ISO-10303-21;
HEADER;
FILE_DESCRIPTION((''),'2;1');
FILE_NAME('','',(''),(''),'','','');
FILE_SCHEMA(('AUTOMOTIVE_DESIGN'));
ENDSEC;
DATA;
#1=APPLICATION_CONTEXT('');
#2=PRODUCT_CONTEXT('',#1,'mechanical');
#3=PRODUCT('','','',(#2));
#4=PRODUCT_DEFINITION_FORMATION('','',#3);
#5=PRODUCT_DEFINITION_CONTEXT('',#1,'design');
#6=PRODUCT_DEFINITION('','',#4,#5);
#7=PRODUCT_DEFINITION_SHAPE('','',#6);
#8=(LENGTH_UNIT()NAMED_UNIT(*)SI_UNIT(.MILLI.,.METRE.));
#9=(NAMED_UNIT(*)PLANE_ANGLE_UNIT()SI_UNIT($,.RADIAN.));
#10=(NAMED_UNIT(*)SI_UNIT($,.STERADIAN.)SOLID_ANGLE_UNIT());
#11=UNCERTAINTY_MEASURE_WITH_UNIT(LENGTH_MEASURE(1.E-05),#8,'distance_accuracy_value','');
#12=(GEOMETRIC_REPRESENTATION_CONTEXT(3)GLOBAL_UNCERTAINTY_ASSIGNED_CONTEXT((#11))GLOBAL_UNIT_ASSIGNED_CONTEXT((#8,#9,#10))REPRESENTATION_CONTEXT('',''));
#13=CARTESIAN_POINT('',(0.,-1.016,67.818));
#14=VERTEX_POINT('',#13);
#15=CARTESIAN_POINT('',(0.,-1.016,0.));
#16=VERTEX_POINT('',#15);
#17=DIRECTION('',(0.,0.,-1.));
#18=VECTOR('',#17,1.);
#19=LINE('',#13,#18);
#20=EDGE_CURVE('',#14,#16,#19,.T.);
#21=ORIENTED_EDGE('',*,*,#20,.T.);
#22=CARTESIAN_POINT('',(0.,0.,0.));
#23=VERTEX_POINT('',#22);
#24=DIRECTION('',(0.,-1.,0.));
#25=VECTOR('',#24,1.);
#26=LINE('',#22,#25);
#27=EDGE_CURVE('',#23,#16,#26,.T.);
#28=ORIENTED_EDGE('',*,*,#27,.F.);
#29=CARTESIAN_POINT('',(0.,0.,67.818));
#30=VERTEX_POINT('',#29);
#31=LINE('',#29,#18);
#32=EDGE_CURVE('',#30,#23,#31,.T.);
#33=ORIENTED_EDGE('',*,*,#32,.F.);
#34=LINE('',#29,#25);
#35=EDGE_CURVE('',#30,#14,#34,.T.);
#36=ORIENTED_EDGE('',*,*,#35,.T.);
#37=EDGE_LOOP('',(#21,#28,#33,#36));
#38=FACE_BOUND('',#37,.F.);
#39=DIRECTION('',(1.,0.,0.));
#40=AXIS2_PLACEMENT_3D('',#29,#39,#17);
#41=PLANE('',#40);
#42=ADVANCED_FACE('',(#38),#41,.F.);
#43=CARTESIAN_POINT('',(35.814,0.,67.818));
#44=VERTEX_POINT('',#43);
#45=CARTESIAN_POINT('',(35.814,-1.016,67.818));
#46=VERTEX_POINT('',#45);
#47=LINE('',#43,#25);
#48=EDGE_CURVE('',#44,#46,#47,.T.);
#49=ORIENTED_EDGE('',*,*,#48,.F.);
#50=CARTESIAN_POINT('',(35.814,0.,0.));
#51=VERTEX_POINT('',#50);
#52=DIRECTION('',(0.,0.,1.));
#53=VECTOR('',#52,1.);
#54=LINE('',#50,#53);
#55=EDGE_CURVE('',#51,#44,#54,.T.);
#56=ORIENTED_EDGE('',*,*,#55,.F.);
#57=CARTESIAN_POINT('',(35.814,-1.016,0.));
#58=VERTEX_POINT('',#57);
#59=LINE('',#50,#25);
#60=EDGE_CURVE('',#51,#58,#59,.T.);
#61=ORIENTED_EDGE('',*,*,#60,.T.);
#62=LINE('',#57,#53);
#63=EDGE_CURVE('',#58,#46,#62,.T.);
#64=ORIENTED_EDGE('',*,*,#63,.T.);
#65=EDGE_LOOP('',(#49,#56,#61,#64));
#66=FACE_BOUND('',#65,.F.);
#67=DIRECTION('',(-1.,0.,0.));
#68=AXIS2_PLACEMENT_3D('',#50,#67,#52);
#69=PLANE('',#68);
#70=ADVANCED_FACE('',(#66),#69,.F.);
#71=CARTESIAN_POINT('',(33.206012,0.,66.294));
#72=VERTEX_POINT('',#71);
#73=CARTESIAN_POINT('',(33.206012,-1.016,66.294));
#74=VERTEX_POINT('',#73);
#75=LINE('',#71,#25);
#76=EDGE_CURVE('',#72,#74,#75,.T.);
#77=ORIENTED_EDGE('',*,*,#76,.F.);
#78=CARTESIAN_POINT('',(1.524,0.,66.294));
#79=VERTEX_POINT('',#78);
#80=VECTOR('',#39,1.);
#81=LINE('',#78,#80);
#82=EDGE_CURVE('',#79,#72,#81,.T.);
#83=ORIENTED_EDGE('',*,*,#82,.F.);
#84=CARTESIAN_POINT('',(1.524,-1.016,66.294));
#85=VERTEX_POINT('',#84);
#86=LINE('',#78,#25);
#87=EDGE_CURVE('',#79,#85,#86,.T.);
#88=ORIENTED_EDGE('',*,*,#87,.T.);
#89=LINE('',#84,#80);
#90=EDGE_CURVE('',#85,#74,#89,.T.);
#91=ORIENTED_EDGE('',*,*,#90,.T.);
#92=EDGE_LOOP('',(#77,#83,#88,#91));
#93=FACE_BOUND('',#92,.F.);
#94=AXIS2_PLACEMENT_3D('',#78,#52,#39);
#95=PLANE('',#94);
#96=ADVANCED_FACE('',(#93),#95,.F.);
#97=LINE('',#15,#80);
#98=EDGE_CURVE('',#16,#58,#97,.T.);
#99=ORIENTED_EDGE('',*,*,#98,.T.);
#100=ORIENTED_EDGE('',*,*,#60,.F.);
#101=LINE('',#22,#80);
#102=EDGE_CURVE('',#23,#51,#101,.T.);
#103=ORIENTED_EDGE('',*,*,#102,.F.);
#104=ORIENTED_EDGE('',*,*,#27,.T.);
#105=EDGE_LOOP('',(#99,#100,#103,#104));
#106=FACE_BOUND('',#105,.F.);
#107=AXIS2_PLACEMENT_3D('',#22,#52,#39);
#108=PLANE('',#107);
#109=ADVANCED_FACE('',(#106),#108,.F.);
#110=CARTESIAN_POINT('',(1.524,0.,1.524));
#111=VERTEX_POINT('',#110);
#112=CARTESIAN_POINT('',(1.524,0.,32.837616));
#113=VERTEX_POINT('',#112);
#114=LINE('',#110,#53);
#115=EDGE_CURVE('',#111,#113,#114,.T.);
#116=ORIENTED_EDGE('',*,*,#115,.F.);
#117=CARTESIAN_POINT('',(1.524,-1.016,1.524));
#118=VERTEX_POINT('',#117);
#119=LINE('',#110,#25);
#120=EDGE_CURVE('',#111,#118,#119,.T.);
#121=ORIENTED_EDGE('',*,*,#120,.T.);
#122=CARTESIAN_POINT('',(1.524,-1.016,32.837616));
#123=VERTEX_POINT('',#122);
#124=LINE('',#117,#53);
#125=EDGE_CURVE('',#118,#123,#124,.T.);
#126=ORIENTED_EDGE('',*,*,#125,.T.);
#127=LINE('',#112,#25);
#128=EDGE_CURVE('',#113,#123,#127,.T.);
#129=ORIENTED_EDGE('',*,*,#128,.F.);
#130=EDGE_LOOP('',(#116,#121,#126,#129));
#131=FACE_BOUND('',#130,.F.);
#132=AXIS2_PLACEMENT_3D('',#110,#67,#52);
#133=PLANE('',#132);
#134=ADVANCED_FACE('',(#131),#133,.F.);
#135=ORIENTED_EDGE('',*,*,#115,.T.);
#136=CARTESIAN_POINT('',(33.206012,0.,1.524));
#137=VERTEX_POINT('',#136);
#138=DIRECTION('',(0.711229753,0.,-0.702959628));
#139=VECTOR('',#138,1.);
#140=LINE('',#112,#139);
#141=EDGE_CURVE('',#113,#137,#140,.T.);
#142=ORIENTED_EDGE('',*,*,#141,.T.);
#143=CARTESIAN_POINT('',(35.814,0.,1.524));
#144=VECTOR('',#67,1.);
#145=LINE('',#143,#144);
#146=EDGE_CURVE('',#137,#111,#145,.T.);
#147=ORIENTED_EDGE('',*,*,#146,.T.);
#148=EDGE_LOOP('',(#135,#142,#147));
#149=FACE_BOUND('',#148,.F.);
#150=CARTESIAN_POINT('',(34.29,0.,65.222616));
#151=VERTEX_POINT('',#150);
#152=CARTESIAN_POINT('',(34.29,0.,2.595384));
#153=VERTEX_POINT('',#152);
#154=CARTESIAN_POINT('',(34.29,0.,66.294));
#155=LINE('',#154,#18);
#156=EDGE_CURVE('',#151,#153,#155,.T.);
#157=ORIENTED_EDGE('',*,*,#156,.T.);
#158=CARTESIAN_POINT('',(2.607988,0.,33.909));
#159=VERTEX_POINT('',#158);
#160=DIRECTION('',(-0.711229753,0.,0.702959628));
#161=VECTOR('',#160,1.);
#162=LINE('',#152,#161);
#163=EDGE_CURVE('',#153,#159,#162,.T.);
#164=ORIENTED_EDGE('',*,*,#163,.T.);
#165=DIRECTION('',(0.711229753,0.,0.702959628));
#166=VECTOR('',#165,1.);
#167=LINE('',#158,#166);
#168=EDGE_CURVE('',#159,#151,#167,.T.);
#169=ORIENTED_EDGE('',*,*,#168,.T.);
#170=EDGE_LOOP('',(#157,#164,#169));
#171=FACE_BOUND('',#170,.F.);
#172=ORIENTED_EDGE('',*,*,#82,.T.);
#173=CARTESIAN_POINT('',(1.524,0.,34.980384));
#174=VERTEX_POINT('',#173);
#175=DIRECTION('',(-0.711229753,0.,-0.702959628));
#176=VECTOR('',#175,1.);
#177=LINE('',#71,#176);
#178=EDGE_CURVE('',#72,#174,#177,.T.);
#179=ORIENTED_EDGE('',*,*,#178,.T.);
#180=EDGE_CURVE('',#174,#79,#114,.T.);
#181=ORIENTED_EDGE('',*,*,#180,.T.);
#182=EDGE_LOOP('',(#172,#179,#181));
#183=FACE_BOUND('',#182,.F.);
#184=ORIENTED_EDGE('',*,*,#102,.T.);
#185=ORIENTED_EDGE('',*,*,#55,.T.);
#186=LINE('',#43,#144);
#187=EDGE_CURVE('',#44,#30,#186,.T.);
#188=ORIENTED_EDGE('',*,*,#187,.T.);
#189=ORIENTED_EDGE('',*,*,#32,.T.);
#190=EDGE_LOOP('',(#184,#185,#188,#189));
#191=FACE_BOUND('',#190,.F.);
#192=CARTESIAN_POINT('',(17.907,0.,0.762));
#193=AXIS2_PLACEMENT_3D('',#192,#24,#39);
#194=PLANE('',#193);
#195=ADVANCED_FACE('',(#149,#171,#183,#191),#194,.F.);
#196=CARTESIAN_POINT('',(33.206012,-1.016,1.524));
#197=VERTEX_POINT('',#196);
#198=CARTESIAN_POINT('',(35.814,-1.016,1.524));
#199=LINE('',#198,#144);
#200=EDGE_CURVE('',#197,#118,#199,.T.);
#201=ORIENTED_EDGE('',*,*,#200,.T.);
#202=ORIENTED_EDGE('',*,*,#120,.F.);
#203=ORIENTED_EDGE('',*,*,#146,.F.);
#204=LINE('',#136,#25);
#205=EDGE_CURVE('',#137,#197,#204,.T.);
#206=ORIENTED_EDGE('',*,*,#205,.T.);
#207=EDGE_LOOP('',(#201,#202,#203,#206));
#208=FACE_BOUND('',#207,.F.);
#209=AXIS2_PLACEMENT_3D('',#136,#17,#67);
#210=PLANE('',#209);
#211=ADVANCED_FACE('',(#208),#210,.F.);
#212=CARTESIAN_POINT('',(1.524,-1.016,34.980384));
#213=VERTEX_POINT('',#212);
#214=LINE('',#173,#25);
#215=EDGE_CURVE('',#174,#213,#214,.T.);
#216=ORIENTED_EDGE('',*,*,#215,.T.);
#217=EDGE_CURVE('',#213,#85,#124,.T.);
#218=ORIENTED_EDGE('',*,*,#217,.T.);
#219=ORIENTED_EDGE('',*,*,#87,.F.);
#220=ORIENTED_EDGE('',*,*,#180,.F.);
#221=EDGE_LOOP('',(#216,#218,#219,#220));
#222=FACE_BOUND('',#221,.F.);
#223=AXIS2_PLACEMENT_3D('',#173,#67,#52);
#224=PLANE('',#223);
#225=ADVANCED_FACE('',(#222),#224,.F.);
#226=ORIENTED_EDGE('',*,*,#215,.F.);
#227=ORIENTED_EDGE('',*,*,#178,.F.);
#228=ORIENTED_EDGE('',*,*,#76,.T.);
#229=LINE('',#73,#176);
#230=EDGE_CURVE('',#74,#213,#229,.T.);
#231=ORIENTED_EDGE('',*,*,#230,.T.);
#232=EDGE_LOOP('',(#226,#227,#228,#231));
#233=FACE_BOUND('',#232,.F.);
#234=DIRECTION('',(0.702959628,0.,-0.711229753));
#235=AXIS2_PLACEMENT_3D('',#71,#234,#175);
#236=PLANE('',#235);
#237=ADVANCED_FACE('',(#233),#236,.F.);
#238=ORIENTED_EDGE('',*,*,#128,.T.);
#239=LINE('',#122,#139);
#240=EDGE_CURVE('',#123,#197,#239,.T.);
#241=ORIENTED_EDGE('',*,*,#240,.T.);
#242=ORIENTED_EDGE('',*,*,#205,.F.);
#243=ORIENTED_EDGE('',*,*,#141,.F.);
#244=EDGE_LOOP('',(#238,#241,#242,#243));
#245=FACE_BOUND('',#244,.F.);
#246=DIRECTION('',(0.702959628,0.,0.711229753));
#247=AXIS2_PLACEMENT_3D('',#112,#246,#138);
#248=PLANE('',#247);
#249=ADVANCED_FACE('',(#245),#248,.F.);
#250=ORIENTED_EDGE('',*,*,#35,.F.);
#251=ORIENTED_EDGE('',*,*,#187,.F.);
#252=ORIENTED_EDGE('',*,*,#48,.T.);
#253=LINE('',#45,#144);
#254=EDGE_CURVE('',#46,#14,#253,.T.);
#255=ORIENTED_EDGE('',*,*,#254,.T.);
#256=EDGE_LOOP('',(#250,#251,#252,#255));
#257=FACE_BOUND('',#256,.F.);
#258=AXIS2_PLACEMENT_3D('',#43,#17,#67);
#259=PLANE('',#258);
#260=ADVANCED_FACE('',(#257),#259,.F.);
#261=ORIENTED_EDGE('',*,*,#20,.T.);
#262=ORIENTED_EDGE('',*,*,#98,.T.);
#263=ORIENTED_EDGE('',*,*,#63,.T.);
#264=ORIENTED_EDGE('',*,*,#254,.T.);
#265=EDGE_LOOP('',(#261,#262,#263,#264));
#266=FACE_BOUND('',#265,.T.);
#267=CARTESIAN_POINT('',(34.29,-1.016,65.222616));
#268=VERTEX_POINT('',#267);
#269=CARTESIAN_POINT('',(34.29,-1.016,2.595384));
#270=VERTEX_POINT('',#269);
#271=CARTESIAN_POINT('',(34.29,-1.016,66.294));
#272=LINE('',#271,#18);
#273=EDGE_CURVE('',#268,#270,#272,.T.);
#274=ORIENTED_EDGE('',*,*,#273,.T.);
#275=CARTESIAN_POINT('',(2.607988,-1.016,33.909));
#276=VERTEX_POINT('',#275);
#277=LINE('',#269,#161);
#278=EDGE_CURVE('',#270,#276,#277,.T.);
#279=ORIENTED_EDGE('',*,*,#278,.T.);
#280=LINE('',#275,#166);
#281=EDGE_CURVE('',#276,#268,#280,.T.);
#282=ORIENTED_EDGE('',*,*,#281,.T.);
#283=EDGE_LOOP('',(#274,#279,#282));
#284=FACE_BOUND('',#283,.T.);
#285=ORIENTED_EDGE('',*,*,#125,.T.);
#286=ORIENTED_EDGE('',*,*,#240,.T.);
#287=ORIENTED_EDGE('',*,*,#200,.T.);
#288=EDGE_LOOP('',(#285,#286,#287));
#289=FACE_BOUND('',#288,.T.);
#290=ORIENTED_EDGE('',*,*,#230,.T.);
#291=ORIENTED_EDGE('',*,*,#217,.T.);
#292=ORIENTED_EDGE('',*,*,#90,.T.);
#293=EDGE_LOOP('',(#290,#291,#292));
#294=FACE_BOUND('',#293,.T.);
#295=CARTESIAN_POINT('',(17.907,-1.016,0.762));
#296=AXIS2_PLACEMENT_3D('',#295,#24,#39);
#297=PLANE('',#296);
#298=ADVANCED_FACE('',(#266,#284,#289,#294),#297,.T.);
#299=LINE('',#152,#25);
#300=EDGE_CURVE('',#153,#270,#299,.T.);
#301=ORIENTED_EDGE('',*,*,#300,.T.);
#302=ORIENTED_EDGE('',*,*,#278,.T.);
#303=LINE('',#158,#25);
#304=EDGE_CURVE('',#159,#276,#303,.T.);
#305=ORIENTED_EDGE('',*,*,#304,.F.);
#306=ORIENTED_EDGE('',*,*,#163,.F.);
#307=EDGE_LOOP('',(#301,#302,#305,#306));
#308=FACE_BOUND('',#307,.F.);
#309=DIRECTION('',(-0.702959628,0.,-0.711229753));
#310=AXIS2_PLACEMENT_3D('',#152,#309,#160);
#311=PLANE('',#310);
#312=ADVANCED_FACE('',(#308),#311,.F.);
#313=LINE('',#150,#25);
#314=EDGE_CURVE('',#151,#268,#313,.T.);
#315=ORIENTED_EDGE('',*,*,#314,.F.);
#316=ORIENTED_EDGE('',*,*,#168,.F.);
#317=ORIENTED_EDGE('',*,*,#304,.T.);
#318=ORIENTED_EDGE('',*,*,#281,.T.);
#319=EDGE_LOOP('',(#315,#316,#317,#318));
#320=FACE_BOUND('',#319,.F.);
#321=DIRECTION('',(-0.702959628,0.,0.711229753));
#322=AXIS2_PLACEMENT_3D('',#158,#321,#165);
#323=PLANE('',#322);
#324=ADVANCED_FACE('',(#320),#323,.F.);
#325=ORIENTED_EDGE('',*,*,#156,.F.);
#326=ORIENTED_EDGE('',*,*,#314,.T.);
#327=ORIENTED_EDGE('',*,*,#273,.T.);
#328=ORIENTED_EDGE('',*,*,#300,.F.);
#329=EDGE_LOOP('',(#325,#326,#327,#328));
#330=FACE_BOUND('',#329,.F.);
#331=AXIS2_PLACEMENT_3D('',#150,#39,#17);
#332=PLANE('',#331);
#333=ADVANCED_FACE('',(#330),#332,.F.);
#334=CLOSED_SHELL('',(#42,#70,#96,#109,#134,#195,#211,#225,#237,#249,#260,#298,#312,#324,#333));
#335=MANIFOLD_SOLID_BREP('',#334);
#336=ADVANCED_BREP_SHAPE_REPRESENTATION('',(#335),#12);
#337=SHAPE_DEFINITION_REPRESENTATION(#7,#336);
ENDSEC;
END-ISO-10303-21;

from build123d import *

# Parameters (mm, degrees)
F1_DEPTH = 1.016


with BuildPart() as f1:
    # F0 (on Front) → F1 (new body)
    with BuildSketch(Plane.XZ):
        Polygon((0, 1.524), (0, 0), (35.814, 0), (35.814, 1.524), (34.29, 1.524), (33.206012, 1.524), (1.524, 1.524), align=None)
        Polygon((0, 66.294), (0, 1.524), (1.524, 1.524), (1.524, 32.837616), (1.524, 34.980384), (1.524, 66.294), align=None)
        Polygon((34.29, 1.524), (35.814, 1.524), (35.814, 66.294), (34.29, 66.294), (34.29, 65.222616), (34.29, 2.595384), align=None)
        Polygon((0, 67.818), (0, 66.294), (1.524, 66.294), (33.206012, 66.294), (34.29, 66.294), (35.814, 66.294), (35.814, 67.818), align=None)
        Polygon((33.206012, 1.524), (34.29, 1.524), (34.29, 2.595384), (2.607988, 33.909), (34.29, 65.222616), (34.29, 66.294), (33.206012, 66.294), (1.524, 34.980384), (1.524, 32.837616), align=None)
    extrude(amount=F1_DEPTH)


solid = f1.part
